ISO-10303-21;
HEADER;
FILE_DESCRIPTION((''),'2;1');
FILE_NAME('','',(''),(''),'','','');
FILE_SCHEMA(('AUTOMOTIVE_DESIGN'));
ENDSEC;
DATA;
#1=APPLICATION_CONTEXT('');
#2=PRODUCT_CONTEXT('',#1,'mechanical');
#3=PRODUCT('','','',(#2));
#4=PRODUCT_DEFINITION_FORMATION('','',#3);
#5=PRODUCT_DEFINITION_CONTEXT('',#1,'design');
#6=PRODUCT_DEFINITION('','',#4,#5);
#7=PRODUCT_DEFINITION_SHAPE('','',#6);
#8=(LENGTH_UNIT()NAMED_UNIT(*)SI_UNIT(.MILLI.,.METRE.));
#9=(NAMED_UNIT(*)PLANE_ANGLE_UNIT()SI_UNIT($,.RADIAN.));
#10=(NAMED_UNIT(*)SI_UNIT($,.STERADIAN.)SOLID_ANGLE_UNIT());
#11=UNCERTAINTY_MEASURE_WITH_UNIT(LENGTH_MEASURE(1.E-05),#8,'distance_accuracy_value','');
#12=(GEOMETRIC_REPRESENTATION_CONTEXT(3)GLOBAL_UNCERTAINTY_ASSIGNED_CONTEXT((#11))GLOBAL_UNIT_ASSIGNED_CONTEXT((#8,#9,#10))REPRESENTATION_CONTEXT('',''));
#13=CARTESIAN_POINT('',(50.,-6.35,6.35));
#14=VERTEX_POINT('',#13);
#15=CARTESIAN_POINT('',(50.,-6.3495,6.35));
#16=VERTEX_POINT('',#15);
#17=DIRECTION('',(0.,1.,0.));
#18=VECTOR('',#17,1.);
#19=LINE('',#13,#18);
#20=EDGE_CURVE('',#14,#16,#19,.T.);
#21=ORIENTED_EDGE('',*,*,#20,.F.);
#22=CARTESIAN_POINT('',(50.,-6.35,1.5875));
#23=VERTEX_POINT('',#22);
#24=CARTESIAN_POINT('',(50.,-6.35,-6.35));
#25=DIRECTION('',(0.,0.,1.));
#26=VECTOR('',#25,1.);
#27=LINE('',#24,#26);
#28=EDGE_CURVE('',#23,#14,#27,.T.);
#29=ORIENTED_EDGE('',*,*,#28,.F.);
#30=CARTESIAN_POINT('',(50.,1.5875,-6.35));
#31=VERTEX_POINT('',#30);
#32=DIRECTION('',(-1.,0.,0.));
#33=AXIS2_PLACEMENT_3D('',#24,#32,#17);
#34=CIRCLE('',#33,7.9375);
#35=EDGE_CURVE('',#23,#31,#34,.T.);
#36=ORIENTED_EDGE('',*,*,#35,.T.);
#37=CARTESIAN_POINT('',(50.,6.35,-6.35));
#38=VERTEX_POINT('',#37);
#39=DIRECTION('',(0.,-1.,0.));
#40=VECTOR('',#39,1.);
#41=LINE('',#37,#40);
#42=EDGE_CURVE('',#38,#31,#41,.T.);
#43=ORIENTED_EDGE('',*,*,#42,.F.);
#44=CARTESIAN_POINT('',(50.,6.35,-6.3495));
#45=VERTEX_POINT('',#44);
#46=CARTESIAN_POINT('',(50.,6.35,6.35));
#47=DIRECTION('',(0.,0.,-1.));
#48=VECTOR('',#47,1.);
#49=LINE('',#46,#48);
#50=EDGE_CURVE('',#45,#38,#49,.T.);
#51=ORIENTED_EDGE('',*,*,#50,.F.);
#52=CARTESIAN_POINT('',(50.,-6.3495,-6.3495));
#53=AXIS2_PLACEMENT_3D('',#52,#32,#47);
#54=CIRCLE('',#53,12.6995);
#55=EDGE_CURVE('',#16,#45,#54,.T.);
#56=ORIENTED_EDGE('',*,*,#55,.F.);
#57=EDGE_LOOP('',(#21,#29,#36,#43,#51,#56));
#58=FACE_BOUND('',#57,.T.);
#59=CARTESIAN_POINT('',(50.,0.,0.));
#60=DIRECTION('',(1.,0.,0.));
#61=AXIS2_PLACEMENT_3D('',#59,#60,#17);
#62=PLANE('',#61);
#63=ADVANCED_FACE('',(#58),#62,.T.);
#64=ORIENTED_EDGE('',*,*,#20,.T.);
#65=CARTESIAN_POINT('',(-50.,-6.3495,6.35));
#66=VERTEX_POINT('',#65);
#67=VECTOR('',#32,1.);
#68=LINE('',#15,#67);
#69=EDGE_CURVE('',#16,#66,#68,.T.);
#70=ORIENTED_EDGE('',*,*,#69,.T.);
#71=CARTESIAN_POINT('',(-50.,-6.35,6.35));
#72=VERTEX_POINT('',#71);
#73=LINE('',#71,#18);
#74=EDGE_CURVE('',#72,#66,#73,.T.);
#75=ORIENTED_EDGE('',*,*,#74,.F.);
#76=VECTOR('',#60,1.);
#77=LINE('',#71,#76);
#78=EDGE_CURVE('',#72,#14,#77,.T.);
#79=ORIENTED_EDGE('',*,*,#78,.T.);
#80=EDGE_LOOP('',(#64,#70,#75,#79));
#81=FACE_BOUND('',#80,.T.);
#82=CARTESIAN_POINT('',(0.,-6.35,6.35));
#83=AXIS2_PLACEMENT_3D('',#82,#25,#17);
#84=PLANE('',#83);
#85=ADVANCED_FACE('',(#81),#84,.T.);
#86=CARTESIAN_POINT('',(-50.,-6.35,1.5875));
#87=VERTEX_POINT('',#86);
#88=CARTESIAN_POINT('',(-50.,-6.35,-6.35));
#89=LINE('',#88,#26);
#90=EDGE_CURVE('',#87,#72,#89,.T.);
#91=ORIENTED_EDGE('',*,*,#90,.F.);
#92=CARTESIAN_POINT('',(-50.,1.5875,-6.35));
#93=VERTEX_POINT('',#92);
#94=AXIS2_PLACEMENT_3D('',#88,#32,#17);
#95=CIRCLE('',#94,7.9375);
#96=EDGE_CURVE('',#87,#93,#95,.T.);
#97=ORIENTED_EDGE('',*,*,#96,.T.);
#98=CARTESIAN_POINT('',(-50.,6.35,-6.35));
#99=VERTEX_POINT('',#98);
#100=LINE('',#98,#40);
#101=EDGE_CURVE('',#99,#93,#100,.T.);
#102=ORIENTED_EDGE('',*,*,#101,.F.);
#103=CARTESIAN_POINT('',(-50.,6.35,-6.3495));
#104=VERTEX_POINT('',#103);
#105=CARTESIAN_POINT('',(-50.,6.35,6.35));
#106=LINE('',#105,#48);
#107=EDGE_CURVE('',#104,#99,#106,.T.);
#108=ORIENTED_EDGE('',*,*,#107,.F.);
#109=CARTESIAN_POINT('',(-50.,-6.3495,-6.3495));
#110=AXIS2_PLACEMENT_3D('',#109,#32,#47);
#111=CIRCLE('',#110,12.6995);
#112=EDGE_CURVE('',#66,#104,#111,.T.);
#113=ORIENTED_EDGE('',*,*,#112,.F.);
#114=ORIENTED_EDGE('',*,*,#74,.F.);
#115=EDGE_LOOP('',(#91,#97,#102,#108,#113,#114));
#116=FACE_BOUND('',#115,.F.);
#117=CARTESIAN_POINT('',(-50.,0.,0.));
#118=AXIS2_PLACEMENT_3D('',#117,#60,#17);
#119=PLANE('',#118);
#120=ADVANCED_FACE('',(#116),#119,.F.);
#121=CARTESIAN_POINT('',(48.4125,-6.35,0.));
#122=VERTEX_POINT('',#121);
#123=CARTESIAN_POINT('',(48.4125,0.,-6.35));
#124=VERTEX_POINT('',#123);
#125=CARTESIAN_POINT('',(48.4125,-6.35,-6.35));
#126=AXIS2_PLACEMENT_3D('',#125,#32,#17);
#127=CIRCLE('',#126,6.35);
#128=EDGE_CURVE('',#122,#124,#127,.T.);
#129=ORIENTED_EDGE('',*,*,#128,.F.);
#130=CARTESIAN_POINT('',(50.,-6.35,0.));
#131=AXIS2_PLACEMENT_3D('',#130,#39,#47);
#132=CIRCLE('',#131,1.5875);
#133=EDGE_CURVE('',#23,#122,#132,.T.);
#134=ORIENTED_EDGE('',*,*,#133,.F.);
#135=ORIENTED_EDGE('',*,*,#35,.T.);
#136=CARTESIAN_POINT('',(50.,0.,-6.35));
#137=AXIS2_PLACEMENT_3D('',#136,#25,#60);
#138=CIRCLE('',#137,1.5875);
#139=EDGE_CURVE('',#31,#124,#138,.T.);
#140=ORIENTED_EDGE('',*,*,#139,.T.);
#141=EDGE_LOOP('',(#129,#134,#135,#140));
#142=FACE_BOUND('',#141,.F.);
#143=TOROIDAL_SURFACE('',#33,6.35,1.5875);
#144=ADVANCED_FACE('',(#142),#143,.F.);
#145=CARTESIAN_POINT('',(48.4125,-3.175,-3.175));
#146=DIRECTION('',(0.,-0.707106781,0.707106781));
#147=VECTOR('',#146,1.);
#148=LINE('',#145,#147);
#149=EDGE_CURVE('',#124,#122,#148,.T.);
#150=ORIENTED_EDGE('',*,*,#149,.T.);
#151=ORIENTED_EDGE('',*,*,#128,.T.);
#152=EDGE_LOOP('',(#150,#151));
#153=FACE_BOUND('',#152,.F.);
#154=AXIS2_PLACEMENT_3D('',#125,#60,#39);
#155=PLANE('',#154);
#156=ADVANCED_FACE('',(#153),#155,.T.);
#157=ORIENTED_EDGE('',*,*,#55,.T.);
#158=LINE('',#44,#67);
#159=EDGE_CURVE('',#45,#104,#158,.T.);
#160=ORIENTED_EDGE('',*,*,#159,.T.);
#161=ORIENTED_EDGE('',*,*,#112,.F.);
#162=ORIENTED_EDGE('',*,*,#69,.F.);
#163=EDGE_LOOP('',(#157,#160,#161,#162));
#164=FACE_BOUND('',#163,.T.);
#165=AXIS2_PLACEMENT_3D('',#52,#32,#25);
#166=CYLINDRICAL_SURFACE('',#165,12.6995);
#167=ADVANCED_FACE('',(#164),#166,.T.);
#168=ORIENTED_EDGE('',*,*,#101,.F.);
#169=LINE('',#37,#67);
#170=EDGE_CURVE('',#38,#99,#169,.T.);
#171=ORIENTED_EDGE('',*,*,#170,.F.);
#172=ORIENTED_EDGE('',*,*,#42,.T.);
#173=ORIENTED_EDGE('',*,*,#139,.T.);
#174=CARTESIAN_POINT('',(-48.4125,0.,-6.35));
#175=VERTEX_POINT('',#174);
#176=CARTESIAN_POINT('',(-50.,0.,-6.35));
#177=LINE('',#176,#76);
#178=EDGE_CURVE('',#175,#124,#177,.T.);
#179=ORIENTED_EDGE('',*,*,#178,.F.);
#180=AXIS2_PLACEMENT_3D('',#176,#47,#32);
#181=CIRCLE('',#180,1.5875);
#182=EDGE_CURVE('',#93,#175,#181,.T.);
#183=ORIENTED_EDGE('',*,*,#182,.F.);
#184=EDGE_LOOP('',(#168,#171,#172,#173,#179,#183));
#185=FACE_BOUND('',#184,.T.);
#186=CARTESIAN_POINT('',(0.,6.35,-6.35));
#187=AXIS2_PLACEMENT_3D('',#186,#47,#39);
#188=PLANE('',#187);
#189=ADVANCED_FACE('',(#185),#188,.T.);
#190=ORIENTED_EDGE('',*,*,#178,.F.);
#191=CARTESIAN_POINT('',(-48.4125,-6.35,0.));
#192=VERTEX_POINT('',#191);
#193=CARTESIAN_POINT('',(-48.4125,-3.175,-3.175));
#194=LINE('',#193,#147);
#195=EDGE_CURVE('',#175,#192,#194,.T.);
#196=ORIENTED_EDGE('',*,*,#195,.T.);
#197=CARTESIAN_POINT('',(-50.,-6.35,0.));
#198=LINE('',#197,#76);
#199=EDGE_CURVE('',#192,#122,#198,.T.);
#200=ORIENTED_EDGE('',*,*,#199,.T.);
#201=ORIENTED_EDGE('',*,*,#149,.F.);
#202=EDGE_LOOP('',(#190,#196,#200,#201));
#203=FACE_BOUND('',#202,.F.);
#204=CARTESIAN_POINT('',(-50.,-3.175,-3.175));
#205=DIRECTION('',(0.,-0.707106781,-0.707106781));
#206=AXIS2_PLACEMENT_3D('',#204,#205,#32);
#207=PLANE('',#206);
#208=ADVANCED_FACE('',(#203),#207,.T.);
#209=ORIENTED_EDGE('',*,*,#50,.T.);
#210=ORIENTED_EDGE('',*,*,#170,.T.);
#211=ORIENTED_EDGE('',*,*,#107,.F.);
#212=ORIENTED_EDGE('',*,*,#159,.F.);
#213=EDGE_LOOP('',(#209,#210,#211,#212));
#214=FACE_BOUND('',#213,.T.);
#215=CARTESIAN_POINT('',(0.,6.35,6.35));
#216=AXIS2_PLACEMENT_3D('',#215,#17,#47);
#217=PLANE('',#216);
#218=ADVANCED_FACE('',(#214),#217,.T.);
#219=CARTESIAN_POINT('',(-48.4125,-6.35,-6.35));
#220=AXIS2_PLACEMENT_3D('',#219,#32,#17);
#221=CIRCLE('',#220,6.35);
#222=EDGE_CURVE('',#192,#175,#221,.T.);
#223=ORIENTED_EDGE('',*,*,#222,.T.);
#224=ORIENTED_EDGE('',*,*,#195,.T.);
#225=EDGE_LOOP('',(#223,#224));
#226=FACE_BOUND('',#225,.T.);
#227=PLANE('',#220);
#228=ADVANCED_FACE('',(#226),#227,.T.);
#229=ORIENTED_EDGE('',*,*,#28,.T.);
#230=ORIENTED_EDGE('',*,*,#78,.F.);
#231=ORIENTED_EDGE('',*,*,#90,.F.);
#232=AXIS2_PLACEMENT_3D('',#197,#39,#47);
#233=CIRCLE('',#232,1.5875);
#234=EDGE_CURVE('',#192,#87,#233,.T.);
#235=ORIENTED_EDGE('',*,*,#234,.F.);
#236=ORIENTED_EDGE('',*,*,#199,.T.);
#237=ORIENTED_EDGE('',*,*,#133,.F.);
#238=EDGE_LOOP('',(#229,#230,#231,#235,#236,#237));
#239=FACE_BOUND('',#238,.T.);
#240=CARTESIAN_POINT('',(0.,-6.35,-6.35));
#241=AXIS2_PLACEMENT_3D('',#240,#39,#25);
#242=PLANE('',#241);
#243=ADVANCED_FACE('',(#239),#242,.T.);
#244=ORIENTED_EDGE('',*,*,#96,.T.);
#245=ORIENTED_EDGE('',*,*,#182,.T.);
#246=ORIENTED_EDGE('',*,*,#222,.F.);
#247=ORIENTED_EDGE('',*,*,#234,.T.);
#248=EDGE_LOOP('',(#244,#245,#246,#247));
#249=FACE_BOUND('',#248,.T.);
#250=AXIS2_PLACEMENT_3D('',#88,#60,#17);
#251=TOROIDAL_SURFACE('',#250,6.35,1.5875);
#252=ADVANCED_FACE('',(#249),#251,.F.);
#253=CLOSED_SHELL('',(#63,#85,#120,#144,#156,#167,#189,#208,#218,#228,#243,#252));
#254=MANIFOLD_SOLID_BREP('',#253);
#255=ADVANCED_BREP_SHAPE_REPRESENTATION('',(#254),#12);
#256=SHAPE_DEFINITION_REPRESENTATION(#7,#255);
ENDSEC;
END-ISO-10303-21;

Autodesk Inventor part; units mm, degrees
ref_plane "YZ Plane" through (0, 0, 0) normal (1, 0, 0) x (0, 1, 0)
ref_plane "XZ Plane" through (0, 0, 0) normal (0, 1, 0) x (-1, 0, 0)
ref_plane "XY Plane" through (0, 0, 0) normal (0, 0, 1) x (1, 0, 0)
sketch "Sketch1" plane through (0, 0, 0) normal (1, 0, 0) x (0, 1, 0)
  line L0 (-6.35, 6.35) -> (6.35, 6.35)
  line L1 (6.35, 6.35) -> (6.35, -6.35)
  line L2 (6.35, -6.35) -> (-6.35, -6.35)
  line L3 (-6.35, -6.35) -> (-6.35, 6.35)
  line L4 (-6.35, 6.35) -> (6.35, -6.35) construction
  line L5 (6.35, 6.35) -> (-6.35, -6.35) construction
  point P0 (0, 0)
  dimension "d0" = 12.7
  dimension "d1" = 12.7
extrude "Extrusion1" add sketch "Sketch1" along normal mid plane 100
chamfer "Chamfer1" distance 6.35 angle 45 1 edges at (0, -6.35, -6.35)
fillet "Fillet1" radius 12.7 1 edges at (0, 6.35, 6.35)
sketch "Sketch2" plane through (50, 0, -6.35) normal (0, 0, -1) x (-1, 0, 0)
  line L0 (100, 0) -> (0, 0) projected
  line L1 (100, 6.35) -> (100, 0) projected
  line L2 (0, 6.35) -> (100, 6.35) projected
  line L3 (0, 0) -> (0, 6.35) projected
  circle A0 centre (100, 0) radius 1.5875
  line L4 (0, -6.35) -> (100, -6.35) projected
  line L5 (100, 0) -> (0, 0) projected
  line L6 (98.4125, 0) -> (98.4125, -6.35)
  line L7 (101.5875, 0) -> (101.5875, -6.35)
  line L8 (101.5875, -6.35) -> (98.4125, -6.35)
  point P0 (50, 0)
  dimension "d8" = 3.175
revolve "Revolution1" cut sketch "Sketch2" angle 360 about axis through (50, -6.35, -6.35) along (-1, 0, 0) contours L1 A0 L0 | L0 A0 L1 | A0 L7 L8 L4 L6
mirror "Mirror1" about plane through (0, 0, 0) normal (1, 0, 0) of "Revolution1"
equation "\"d0\" = facingThickness"
equation "\"d1\" = facingThickness"
equation "\"d2\" = depth"
equation "\"d4\" = 0.5 * facingThickness"
equation "\"d7\" = facingThickness"
equation "\"d8\" = 0.25 * facingThickness"
equation "\"mppcMountThickness\" = 6.35"
equation "\"depth\" = 100"
equation "\"facingThickness\" = 12.7"
equation "\"facingGasketThickness\" = 1.5875"
properties part number "sideMoulding" material "Wood (Cherry)"
